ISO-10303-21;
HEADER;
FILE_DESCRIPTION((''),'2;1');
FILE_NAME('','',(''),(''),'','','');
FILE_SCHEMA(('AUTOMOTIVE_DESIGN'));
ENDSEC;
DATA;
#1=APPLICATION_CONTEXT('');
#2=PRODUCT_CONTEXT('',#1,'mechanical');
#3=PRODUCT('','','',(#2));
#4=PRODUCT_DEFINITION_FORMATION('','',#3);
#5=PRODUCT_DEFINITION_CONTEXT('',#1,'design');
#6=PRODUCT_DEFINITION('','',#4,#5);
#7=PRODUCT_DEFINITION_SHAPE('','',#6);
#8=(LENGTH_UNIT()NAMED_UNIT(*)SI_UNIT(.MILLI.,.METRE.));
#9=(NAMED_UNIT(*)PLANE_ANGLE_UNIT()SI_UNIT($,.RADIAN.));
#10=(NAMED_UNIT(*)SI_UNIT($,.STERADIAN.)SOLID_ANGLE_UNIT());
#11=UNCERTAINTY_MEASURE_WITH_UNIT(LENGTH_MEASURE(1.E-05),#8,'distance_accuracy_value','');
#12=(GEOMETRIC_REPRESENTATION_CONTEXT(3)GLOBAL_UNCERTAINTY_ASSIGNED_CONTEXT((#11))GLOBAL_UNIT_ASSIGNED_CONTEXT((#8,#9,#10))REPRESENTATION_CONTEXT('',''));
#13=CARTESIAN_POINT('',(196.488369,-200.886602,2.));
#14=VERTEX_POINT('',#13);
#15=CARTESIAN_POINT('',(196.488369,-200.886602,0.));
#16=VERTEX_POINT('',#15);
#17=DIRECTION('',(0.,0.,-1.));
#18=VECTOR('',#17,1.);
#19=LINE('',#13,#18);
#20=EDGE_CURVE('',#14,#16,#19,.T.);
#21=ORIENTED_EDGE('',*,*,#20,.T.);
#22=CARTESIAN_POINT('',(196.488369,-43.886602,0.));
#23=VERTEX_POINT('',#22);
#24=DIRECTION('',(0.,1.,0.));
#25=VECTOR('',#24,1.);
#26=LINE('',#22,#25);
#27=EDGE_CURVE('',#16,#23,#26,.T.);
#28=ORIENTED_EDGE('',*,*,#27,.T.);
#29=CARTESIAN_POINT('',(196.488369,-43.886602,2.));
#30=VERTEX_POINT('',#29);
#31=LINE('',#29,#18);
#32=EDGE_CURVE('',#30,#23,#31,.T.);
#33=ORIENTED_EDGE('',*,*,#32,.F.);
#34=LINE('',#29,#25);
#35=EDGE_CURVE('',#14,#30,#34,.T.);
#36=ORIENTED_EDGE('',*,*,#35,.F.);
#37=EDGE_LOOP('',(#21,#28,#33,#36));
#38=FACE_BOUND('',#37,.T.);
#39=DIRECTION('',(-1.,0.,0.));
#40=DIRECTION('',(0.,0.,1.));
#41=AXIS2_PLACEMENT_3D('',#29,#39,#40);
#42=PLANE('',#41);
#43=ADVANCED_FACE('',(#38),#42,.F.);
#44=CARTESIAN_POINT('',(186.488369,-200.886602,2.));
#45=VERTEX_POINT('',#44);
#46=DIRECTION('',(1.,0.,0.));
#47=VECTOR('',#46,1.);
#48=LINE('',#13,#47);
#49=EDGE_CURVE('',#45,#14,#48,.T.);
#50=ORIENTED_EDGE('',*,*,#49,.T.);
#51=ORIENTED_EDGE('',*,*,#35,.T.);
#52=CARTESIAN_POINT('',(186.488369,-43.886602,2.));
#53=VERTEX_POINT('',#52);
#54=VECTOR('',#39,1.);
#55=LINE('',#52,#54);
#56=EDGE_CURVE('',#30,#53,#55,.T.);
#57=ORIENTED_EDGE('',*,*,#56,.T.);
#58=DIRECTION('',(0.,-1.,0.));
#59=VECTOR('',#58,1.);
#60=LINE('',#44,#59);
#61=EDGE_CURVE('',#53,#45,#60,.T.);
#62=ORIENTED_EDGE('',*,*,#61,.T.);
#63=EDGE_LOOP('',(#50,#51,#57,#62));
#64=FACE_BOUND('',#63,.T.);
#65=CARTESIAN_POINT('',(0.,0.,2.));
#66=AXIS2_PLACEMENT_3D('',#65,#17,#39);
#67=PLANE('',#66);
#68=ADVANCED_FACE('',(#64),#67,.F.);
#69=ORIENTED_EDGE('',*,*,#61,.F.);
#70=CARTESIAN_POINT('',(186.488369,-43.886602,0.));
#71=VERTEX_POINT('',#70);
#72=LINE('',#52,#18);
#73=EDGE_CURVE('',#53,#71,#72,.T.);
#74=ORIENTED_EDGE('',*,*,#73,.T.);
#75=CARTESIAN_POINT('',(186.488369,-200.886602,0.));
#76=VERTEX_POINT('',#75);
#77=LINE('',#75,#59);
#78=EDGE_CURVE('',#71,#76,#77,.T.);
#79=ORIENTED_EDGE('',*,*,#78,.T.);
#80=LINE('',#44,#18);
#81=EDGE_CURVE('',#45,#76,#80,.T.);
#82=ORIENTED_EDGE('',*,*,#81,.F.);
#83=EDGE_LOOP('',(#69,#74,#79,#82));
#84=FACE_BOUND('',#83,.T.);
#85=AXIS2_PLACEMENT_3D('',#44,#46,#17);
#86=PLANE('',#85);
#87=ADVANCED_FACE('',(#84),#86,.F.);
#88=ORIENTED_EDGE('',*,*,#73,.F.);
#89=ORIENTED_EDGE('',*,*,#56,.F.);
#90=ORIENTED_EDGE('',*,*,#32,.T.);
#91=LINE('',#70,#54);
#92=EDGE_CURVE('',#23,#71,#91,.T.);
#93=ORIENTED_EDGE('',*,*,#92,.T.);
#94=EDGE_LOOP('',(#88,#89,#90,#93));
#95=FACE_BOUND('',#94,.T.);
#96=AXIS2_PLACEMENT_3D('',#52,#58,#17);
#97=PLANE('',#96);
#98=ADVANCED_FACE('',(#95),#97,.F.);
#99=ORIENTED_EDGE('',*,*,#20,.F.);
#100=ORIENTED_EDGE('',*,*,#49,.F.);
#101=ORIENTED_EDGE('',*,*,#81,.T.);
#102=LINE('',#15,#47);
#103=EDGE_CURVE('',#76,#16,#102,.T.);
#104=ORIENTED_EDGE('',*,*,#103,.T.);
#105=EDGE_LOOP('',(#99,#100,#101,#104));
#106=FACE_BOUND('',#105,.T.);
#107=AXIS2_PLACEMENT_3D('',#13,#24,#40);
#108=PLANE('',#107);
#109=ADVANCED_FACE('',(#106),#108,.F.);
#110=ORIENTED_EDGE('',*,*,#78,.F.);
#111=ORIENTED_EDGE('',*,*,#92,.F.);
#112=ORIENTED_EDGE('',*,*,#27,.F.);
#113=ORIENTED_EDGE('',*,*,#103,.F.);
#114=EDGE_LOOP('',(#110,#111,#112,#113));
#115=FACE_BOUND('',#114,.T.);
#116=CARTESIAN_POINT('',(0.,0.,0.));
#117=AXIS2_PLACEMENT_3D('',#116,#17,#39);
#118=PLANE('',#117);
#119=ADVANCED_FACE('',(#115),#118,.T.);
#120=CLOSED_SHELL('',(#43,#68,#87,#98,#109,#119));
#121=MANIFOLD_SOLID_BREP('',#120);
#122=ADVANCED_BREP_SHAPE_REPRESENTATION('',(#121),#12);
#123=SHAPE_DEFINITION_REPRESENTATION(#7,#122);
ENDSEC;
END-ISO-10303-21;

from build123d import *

# Parameters (mm, degrees)
SKETCH_2_W      = 9.999999998
SKETCH_2_H      = 156.999999961
EXTRUDE_1_DEPTH = 2


with BuildPart() as part:
    # 草图2 → 凸台-拉伸1 (new body)
    with BuildSketch(Plane.XY):
        with Locations((191.488368911, -122.386602216)):
            Rectangle(SKETCH_2_W, SKETCH_2_H)
    extrude(amount=EXTRUDE_1_DEPTH)


solid = part.part
